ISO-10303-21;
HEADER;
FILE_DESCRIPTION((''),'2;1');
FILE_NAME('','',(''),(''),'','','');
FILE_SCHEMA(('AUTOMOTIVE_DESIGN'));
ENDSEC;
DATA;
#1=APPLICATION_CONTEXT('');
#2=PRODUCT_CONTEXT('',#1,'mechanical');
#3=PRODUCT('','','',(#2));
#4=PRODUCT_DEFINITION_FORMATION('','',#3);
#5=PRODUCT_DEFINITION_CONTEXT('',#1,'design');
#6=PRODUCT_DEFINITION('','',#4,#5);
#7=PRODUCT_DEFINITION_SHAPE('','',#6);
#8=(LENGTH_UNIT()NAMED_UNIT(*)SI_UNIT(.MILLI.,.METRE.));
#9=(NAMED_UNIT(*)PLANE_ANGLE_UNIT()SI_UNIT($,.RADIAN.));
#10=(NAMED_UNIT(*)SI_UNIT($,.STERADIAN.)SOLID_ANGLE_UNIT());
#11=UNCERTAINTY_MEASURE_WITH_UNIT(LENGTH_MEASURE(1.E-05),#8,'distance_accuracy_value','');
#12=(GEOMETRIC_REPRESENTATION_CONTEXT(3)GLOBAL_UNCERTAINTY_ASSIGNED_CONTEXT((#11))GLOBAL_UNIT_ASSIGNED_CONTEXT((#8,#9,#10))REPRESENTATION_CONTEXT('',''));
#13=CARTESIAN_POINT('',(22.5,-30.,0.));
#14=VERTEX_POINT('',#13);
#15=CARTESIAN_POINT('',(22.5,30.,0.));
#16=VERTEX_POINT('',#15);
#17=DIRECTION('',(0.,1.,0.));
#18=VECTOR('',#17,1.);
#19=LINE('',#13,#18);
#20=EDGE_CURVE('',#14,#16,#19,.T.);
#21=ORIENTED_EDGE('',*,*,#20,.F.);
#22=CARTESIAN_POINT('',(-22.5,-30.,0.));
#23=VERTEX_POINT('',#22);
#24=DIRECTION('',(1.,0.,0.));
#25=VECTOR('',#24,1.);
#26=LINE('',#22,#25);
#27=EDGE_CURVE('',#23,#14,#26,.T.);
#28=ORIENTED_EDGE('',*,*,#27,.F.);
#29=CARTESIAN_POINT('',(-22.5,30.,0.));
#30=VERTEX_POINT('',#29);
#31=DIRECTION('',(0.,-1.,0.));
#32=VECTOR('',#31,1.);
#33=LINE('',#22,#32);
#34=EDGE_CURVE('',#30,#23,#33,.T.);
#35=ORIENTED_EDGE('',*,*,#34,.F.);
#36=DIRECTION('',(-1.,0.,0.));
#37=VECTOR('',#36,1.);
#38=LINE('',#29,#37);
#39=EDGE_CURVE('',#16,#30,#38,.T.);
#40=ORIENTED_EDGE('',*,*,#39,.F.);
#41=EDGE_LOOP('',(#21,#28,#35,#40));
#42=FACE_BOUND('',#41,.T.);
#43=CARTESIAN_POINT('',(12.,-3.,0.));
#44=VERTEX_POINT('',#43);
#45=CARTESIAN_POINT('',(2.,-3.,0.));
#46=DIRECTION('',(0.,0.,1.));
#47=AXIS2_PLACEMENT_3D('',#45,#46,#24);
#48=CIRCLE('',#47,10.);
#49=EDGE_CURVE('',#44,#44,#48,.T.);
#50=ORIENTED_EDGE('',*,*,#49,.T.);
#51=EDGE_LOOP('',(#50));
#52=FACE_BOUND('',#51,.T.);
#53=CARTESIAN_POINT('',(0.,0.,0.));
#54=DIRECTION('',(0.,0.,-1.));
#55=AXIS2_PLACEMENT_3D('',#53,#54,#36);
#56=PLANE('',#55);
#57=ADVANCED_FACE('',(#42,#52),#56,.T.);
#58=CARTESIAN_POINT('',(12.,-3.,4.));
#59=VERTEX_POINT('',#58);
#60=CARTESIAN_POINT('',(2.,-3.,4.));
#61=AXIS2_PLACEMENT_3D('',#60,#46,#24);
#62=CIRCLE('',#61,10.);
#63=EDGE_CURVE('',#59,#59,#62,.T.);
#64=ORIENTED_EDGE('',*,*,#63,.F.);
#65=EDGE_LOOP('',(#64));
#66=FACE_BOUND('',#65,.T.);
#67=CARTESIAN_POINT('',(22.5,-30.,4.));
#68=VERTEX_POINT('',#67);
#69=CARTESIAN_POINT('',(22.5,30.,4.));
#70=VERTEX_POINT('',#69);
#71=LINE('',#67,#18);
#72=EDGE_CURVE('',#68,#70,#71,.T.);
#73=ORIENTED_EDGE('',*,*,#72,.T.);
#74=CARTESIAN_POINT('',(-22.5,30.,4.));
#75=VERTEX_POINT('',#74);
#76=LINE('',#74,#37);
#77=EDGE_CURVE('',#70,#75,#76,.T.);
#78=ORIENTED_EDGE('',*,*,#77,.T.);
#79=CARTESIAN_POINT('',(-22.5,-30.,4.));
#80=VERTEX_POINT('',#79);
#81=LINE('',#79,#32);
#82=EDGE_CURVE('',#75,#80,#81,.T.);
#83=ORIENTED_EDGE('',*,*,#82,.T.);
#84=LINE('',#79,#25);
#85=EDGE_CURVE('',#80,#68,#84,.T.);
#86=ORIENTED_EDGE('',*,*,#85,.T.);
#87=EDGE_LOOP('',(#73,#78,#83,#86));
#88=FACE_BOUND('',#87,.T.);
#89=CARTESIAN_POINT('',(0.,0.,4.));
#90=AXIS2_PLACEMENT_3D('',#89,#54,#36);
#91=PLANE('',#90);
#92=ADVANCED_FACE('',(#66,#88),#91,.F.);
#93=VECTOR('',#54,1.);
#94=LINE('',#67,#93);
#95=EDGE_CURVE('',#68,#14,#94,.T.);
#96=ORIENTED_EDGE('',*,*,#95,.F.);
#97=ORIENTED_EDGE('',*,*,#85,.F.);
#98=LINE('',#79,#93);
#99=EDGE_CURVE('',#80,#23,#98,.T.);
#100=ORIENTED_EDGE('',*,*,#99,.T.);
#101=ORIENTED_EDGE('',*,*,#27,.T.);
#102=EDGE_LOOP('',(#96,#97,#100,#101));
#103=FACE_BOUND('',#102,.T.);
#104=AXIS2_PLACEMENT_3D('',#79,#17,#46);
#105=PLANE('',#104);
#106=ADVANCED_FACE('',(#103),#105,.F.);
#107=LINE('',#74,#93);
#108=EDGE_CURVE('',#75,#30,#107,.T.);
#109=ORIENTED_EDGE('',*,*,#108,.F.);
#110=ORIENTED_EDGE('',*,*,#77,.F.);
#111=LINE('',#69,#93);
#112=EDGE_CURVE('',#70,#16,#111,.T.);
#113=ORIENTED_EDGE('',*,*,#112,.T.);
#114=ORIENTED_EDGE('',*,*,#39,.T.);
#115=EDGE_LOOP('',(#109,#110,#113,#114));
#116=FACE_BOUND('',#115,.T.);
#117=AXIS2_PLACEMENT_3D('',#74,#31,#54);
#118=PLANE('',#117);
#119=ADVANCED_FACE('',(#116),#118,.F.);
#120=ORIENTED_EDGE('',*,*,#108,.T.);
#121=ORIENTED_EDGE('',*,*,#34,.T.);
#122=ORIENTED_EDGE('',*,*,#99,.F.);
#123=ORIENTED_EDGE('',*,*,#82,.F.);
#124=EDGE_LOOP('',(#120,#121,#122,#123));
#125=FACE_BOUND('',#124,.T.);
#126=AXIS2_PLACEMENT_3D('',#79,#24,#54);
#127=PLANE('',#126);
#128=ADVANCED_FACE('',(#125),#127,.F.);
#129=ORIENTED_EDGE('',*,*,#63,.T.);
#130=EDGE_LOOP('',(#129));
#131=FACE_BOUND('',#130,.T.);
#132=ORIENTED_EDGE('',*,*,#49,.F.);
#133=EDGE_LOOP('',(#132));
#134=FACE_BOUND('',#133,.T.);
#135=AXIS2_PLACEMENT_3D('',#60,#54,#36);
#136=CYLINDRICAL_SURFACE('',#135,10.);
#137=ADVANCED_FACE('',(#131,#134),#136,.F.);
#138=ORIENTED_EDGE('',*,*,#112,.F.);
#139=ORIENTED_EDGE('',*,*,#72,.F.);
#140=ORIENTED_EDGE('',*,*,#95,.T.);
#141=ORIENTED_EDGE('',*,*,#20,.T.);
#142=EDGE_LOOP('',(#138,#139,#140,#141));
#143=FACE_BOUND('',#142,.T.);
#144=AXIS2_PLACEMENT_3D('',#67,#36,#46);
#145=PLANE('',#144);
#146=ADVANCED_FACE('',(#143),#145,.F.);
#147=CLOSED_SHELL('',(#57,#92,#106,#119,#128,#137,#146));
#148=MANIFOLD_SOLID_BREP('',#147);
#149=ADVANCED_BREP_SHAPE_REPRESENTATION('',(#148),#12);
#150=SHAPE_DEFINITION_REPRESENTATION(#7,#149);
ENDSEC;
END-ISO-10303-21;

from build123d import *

# Parameters (mm, degrees)
SKETCH1_W           = 45
SKETCH1_H           = 60
SKETCH1_R           = 10
BOSS_EXTRUDE1_DEPTH = 4


with BuildPart() as part:
    # Sketch1 → Boss-Extrude1 (new body)
    with BuildSketch(Plane.XY):
        Rectangle(SKETCH1_W, SKETCH1_H)
        with Locations((2, -3)):
            Circle(SKETCH1_R, mode=Mode.SUBTRACT)
    extrude(amount=BOSS_EXTRUDE1_DEPTH)


solid = part.part
